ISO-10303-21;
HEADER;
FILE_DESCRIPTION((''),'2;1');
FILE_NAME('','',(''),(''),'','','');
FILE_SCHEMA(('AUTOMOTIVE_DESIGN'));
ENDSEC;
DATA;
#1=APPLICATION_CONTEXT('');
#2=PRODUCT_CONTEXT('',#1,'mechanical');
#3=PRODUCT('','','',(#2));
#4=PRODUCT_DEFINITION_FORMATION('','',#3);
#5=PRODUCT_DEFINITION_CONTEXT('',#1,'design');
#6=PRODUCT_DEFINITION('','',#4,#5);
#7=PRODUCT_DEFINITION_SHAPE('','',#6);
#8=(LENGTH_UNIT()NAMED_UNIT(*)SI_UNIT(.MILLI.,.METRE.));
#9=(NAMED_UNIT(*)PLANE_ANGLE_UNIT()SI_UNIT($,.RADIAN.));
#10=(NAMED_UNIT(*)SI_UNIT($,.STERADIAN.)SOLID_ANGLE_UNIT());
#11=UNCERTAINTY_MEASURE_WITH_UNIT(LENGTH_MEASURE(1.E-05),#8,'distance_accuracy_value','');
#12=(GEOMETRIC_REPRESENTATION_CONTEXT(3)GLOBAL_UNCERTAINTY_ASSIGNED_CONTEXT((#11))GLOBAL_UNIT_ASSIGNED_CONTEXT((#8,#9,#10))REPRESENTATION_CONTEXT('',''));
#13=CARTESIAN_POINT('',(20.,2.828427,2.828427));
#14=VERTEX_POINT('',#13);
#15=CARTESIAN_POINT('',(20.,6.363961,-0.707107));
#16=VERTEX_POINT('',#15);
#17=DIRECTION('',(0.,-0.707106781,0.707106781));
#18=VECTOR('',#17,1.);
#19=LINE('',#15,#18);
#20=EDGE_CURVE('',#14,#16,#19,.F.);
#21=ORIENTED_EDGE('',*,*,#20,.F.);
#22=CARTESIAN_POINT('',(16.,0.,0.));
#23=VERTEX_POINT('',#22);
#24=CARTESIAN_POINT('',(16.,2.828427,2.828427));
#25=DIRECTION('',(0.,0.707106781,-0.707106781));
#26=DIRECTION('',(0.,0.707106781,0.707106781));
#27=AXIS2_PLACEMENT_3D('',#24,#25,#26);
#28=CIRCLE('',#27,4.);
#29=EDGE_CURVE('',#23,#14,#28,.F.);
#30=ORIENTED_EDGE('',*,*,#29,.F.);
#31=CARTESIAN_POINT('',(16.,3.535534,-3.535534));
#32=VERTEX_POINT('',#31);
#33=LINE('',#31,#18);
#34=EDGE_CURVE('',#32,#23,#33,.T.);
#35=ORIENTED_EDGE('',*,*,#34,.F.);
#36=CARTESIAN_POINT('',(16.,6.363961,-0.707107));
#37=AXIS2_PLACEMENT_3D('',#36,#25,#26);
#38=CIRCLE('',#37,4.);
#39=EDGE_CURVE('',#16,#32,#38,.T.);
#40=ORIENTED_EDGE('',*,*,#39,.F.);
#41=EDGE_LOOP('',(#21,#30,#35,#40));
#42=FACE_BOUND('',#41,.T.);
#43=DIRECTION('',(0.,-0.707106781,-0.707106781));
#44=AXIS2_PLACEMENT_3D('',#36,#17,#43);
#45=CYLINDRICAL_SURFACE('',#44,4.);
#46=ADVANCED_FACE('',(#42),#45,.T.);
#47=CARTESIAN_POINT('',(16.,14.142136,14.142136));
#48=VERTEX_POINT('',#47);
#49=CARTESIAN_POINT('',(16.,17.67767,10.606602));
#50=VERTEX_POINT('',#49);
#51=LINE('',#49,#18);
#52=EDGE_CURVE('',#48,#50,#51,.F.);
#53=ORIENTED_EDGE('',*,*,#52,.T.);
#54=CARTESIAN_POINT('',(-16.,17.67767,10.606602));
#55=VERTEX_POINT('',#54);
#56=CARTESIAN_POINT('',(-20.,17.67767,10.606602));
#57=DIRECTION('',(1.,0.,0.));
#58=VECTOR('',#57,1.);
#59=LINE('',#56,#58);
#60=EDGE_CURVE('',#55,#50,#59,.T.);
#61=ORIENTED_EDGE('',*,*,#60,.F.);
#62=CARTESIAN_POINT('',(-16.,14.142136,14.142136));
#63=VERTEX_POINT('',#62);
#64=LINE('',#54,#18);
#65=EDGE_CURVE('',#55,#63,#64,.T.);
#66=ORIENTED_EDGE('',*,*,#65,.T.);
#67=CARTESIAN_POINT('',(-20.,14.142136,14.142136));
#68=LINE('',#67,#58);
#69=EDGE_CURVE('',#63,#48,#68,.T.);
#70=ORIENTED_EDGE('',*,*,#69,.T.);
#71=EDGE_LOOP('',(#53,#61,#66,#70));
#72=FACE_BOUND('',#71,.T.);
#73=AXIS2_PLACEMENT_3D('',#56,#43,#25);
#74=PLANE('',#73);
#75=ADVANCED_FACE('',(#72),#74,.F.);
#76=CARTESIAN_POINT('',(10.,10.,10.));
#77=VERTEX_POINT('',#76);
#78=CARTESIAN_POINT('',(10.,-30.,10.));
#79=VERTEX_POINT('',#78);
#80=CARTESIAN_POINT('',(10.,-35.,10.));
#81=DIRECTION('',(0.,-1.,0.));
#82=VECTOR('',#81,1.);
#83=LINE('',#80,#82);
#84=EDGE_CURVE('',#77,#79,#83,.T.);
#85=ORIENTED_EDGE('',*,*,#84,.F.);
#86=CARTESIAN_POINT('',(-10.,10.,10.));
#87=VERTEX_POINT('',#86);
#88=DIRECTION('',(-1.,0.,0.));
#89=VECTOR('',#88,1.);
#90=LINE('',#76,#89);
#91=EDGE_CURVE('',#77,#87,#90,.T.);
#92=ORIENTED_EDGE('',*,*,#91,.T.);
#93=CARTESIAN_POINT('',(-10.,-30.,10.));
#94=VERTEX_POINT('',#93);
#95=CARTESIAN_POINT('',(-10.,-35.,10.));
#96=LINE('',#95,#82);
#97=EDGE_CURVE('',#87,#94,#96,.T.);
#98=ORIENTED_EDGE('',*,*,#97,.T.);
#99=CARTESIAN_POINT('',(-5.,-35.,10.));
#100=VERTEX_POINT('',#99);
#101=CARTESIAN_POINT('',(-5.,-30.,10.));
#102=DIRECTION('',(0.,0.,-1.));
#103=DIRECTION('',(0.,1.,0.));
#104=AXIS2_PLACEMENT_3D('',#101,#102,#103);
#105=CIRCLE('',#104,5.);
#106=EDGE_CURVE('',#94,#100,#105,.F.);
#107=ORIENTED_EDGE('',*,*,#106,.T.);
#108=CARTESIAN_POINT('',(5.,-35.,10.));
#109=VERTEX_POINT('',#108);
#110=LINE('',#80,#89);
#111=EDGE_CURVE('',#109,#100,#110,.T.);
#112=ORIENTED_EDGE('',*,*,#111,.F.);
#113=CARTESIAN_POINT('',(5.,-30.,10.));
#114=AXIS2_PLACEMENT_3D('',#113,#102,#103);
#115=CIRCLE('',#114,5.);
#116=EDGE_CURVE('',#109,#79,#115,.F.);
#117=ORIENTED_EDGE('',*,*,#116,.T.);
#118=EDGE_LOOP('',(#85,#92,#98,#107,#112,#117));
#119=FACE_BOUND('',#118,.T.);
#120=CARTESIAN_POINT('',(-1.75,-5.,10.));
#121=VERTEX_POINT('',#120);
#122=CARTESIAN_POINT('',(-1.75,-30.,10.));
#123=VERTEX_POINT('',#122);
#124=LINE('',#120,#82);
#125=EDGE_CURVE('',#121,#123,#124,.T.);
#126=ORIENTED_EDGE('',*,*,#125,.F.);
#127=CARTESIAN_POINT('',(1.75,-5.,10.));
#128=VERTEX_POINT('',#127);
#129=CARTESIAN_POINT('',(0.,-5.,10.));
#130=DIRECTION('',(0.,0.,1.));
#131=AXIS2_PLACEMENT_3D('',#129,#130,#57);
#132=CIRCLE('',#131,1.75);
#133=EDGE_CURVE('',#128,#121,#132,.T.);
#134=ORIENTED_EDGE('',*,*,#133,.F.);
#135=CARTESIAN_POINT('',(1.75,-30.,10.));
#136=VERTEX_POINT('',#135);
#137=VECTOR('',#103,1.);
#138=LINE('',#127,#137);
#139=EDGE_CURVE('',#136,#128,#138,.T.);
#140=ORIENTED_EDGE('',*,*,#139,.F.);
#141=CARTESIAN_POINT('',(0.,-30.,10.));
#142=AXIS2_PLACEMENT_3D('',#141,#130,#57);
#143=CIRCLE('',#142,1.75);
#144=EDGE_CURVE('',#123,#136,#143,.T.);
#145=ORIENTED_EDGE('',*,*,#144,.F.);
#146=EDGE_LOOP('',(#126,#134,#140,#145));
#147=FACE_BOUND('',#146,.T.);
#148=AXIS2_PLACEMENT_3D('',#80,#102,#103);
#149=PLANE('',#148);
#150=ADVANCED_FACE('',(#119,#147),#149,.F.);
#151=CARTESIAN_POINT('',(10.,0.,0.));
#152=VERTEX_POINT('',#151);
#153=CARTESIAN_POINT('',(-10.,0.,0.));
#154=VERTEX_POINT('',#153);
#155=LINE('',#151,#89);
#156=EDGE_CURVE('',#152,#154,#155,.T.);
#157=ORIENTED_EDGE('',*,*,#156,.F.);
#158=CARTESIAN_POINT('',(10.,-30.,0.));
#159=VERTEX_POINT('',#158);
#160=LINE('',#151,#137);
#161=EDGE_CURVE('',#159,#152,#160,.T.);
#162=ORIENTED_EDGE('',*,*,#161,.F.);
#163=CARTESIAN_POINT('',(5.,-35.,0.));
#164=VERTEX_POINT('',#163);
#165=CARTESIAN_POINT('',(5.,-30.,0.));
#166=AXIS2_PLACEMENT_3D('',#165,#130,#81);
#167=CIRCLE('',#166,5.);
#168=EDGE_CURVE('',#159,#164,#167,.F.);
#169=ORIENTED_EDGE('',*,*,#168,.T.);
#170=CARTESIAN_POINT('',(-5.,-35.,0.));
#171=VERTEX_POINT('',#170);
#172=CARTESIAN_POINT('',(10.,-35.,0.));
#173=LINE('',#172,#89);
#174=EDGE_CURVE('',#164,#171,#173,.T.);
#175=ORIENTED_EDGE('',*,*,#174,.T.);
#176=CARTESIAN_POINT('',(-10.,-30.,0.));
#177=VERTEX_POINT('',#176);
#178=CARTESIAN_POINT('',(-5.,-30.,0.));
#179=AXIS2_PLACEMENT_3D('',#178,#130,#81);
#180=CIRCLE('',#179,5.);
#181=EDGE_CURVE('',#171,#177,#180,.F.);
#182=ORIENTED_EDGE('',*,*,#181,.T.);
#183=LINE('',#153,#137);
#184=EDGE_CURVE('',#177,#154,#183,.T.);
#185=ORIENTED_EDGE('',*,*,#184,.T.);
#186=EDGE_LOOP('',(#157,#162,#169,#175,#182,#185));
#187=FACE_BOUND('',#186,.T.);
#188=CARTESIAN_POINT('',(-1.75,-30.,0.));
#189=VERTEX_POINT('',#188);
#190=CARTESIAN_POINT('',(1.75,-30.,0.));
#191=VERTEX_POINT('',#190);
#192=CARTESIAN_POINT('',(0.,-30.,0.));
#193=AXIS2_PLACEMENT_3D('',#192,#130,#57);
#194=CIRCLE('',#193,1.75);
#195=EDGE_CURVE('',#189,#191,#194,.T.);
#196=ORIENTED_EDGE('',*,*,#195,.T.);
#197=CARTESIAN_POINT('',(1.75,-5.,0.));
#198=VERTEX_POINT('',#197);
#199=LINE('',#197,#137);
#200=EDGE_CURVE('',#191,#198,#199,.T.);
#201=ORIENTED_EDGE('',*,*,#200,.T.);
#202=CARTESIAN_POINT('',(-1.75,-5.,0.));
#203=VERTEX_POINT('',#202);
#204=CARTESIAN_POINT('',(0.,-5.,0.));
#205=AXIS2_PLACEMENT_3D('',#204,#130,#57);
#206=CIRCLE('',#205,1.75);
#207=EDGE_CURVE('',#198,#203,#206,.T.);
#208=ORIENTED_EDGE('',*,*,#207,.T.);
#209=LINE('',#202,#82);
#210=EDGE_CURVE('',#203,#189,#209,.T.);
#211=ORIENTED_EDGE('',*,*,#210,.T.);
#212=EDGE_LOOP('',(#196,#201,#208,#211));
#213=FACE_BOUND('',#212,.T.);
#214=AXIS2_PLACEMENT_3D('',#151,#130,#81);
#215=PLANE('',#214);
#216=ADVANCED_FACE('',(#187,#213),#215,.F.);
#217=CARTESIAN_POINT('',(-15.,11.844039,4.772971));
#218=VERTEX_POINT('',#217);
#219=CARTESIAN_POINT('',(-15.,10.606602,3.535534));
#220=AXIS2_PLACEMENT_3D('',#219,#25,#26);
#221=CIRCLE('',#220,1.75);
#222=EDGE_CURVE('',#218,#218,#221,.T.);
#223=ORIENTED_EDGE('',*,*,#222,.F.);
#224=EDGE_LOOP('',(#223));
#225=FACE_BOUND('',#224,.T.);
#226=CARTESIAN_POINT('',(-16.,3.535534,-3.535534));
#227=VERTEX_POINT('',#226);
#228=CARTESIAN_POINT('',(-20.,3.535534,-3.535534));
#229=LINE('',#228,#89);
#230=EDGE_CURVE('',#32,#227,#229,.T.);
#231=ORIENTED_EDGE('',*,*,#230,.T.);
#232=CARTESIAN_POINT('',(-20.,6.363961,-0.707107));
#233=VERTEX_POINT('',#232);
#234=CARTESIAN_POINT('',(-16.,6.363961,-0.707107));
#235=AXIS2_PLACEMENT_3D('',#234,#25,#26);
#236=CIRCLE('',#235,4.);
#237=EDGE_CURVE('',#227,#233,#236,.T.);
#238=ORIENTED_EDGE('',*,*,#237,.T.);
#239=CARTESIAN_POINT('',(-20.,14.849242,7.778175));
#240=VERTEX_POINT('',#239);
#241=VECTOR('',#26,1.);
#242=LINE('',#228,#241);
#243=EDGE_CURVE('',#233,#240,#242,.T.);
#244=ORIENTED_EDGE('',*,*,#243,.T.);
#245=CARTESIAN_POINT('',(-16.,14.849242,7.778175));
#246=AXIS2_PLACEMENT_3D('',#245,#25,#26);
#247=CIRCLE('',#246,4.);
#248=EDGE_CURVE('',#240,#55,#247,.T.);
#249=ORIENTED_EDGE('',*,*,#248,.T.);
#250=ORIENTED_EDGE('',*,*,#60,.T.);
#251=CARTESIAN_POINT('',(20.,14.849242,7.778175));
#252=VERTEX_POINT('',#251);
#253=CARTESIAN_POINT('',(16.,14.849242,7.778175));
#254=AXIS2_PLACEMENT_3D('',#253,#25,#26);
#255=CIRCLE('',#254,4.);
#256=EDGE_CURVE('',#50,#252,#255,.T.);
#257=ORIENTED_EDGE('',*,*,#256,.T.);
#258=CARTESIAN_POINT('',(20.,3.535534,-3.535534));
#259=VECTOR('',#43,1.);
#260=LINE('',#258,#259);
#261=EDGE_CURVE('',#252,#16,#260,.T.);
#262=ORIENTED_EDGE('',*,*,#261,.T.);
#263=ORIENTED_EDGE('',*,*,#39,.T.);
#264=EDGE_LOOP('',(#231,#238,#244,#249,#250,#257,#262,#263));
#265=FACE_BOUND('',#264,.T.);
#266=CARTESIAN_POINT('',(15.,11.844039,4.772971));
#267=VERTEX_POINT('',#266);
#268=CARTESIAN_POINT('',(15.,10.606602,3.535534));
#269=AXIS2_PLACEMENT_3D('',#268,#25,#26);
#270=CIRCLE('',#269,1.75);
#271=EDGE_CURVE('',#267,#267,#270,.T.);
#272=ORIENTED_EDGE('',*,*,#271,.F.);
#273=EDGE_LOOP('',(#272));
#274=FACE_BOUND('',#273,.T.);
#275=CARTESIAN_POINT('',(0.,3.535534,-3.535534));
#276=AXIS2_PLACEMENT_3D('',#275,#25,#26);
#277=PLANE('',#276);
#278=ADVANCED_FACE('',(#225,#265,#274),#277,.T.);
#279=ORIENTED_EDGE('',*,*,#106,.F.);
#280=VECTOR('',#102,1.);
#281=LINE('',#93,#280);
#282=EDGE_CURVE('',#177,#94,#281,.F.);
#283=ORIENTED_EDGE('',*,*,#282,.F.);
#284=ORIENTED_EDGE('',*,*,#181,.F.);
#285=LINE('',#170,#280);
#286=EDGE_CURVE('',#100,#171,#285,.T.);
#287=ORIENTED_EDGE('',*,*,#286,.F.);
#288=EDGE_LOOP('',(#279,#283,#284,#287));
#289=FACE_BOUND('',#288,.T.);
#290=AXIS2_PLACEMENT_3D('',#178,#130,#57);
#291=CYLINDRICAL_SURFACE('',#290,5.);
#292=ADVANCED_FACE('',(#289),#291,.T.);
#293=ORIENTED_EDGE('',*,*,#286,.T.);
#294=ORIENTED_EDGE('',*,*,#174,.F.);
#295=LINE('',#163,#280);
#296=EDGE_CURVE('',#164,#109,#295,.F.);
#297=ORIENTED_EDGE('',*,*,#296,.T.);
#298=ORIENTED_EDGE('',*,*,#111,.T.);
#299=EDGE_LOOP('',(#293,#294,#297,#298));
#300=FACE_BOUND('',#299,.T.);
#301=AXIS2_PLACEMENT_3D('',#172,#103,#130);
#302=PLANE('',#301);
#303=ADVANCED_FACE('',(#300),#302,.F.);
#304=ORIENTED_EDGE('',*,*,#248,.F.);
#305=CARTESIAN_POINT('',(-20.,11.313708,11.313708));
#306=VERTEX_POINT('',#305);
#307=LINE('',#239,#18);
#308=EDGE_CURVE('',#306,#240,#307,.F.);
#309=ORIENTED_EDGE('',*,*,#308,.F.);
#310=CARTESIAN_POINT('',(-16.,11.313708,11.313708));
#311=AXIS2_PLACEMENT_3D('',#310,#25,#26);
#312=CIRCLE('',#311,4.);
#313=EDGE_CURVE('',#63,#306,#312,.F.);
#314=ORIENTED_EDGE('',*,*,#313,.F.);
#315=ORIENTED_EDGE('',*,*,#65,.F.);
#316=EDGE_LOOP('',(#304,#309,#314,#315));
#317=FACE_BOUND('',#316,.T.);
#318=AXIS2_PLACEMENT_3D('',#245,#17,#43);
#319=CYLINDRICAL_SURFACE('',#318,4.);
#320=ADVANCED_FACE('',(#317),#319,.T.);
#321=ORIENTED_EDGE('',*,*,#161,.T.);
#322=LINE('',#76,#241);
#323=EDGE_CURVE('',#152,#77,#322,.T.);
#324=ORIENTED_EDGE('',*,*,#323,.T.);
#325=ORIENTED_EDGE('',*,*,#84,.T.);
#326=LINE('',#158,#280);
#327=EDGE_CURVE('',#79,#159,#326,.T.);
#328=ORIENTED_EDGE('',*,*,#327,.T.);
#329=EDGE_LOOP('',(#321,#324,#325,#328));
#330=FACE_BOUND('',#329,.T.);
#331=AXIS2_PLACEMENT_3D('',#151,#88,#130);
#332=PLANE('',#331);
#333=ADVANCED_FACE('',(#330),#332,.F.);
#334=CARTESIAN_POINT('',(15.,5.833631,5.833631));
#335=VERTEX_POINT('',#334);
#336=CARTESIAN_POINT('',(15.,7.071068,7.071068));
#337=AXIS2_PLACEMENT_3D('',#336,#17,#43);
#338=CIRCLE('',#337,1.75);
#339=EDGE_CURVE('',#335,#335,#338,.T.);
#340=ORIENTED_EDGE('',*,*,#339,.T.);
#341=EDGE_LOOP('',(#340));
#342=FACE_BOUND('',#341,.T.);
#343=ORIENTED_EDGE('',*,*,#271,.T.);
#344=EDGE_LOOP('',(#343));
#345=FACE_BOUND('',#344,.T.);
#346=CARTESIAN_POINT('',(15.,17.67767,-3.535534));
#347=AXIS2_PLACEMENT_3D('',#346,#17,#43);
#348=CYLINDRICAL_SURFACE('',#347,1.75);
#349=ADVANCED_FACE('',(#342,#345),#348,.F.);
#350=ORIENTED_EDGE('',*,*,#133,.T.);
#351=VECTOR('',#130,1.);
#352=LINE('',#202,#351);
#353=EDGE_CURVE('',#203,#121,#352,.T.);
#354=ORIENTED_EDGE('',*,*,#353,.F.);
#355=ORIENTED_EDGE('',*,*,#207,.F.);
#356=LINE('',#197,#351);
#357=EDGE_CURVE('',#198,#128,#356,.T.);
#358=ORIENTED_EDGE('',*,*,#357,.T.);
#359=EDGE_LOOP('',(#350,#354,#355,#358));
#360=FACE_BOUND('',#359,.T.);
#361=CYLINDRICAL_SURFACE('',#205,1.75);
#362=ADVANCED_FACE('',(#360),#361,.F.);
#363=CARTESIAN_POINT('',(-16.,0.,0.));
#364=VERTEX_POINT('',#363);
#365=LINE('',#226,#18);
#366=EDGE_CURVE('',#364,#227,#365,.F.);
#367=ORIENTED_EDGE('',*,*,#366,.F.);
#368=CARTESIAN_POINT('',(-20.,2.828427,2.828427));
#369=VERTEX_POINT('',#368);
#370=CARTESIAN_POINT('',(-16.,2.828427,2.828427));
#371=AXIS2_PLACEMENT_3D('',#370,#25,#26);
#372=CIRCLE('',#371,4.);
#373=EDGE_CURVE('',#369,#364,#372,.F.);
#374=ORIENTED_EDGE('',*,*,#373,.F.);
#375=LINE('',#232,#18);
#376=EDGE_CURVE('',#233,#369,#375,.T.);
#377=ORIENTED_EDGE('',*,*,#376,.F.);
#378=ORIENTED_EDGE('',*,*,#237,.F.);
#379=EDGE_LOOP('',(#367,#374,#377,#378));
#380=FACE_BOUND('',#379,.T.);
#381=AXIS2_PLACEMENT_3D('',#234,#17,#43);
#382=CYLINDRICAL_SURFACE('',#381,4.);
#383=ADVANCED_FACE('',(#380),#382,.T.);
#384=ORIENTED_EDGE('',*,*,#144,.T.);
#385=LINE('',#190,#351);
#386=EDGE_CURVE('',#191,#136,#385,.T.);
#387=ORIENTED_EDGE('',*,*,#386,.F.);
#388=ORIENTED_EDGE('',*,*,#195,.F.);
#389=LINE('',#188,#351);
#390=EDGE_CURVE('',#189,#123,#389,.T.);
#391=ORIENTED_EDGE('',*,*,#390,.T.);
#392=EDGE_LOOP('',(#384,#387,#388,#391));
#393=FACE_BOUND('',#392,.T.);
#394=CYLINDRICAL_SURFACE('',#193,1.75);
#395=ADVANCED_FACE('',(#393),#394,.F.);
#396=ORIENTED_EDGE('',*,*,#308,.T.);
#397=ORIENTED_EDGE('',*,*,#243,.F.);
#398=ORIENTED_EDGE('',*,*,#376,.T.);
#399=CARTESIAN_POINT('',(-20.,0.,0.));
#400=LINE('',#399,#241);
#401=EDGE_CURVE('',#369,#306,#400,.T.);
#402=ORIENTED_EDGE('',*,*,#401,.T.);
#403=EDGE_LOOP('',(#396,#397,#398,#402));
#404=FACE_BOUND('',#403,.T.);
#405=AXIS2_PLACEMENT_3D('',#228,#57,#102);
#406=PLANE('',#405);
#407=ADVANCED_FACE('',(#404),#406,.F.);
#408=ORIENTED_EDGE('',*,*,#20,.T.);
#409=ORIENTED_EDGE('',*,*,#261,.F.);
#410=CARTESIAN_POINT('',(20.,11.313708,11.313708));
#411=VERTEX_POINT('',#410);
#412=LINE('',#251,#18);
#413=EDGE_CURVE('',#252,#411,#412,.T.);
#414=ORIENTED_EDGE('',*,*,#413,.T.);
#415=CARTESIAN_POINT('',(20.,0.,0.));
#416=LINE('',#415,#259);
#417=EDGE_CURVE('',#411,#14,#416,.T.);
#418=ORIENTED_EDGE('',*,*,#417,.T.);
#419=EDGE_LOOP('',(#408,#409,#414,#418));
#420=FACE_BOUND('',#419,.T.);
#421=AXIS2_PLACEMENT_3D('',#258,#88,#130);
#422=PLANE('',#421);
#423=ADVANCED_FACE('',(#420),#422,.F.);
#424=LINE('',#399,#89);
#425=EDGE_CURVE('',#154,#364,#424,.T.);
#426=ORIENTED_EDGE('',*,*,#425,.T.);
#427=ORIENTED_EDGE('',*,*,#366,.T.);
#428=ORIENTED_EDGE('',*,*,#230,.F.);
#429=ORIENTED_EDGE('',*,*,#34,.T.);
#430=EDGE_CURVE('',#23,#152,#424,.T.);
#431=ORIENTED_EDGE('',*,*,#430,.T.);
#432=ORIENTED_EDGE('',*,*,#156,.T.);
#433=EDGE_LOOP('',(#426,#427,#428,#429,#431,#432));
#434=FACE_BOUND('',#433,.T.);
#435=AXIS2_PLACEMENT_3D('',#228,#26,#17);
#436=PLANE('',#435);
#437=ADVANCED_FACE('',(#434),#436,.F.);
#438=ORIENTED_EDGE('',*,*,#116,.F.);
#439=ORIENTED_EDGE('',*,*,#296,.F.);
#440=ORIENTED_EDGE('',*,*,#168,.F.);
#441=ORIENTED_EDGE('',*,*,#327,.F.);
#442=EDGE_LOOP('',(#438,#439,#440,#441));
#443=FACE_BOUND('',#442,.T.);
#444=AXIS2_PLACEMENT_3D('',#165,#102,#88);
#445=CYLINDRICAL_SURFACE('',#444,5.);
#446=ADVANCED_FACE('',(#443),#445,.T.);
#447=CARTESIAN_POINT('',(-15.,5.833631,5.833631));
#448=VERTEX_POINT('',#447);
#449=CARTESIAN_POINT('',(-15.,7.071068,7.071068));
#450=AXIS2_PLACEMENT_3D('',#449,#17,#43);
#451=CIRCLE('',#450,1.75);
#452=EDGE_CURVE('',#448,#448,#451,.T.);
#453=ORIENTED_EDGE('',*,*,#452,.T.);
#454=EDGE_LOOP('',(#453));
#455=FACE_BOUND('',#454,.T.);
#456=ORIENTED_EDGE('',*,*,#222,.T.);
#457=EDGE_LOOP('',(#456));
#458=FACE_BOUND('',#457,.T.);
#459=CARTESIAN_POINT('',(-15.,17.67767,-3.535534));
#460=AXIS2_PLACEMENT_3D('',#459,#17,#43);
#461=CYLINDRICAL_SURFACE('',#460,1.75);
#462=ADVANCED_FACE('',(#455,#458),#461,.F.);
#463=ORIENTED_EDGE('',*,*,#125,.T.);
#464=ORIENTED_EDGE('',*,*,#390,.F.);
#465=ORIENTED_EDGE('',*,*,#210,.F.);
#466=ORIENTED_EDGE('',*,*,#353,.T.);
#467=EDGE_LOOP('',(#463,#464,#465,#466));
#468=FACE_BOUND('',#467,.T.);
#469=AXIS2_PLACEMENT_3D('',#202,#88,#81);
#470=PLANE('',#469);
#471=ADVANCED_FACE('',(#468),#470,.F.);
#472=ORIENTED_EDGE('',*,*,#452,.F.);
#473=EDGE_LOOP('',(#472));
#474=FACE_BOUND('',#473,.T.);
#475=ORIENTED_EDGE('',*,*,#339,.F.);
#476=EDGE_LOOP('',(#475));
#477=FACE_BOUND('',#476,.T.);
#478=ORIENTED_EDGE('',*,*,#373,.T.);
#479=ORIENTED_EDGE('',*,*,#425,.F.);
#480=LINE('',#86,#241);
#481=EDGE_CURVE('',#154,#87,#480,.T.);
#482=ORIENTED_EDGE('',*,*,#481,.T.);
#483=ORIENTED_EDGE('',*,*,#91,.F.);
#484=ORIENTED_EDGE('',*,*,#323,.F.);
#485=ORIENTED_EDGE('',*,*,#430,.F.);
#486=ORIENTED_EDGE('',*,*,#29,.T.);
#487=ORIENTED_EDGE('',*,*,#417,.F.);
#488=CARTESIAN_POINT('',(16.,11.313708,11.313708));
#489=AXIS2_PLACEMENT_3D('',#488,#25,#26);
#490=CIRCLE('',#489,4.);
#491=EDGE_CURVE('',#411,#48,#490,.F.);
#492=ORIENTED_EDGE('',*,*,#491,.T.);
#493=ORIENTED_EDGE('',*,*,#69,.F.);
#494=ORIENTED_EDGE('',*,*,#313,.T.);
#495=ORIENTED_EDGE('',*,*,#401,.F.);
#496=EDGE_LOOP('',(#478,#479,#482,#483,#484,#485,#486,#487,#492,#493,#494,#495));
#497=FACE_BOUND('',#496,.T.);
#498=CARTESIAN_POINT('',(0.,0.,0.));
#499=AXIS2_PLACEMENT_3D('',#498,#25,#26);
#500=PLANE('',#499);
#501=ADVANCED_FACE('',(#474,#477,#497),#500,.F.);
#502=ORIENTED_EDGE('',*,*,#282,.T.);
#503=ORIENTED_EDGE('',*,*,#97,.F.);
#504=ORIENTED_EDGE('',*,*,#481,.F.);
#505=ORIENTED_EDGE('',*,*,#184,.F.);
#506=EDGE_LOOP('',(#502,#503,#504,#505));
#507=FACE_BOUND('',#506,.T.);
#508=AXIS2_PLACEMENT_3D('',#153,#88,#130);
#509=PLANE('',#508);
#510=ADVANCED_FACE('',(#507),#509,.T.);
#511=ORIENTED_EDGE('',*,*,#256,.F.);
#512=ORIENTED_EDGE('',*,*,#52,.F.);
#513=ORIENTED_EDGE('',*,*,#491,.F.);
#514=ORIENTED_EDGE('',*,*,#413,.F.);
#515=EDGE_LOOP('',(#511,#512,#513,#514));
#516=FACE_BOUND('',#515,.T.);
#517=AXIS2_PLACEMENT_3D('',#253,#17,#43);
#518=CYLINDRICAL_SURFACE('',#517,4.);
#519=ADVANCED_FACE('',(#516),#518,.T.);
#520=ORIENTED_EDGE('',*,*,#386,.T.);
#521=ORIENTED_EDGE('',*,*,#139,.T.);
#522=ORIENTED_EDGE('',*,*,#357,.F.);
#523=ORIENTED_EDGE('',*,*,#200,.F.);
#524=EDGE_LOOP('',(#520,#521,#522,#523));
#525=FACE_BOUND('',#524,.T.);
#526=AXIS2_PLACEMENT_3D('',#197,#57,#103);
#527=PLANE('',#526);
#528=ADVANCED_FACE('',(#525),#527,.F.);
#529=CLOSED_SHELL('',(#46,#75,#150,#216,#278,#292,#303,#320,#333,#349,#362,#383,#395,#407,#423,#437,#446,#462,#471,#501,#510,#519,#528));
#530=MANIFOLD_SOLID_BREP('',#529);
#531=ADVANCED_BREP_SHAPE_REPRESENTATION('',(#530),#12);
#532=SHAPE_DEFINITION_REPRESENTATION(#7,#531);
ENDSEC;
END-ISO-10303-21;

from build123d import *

# Parameters (mm, degrees)
BOSS_EXTRUDE1_DEPTH = 10
CUT_EXTRUDE1_DEPTH  = 11
FILLET1_R           = 5
SKETCH3_W           = 40
SKETCH3_H           = 20
BOSS_EXTRUDE2_DEPTH = 5
SKETCH4_R           = 1.75
CUT_EXTRUDE2_DEPTH  = 16
FILLET2_R           = 4


with BuildPart() as part:
    # Sketch1 → Boss-Extrude1 (new body, symmetric)
    with BuildSketch(Plane(origin=(0, 0, 0), x_dir=(0, 0, -1), z_dir=(1, 0, 0))):
        Polygon((0, 0), (0, -35), (-10, -35), (-10, 10), align=None)
    extrude(amount=BOSS_EXTRUDE1_DEPTH, both=True)

    # Sketch2 → Cut-Extrude1 (cut, through all)
    with BuildSketch(Plane.XY.offset(10)):
        with BuildLine():
            Line((1.75, -5), (1.75, -30))
            ThreePointArc((1.75, -30), (0, -31.75), (-1.75, -30))
            Line((-1.75, -30), (-1.75, -5))
            ThreePointArc((-1.75, -5), (0, -3.25), (1.75, -5))
        make_face()
    extrude(amount=-CUT_EXTRUDE1_DEPTH, mode=Mode.SUBTRACT)

    # Fillet1
    fillet1_edges = [part.edges().sort_by_distance(p)[0] for p in [
        (10, -35, 5),
        (-10, -35, 5),
    ]]
    fillet(fillet1_edges, radius=FILLET1_R)

    # Sketch3 → Boss-Extrude2 (add)
    with BuildSketch(Plane(origin=(0, 0, 0), x_dir=(1, 0, 0), z_dir=(0, 0.707106781, -0.707106781))):
        with Locations((0, -10)):
            Rectangle(SKETCH3_W, SKETCH3_H)
    extrude(amount=BOSS_EXTRUDE2_DEPTH)

    # Sketch4 → Cut-Extrude2 (cut, through all)
    with BuildSketch(Plane(origin=(0, 0, 0), x_dir=(1, 0, 0), z_dir=(0, -0.707106781, 0.707106781))):
        with Locations((-15, 10)):
            Circle(SKETCH4_R)
        with Locations((15, 10)):
            Circle(SKETCH4_R)
    extrude(amount=-CUT_EXTRUDE2_DEPTH, mode=Mode.SUBTRACT)

    # Fillet2
    fillet2_edges = [part.edges().sort_by_distance(p)[0] for p in [
        (-20, 1.767766953, -1.767766953),
        (-20, 15.909902577, 12.374368671),
        (20, 15.909902577, 12.374368671),
        (20, 1.767766953, -1.767766953),
    ]]
    fillet(fillet2_edges, radius=FILLET2_R)


solid = part.part
